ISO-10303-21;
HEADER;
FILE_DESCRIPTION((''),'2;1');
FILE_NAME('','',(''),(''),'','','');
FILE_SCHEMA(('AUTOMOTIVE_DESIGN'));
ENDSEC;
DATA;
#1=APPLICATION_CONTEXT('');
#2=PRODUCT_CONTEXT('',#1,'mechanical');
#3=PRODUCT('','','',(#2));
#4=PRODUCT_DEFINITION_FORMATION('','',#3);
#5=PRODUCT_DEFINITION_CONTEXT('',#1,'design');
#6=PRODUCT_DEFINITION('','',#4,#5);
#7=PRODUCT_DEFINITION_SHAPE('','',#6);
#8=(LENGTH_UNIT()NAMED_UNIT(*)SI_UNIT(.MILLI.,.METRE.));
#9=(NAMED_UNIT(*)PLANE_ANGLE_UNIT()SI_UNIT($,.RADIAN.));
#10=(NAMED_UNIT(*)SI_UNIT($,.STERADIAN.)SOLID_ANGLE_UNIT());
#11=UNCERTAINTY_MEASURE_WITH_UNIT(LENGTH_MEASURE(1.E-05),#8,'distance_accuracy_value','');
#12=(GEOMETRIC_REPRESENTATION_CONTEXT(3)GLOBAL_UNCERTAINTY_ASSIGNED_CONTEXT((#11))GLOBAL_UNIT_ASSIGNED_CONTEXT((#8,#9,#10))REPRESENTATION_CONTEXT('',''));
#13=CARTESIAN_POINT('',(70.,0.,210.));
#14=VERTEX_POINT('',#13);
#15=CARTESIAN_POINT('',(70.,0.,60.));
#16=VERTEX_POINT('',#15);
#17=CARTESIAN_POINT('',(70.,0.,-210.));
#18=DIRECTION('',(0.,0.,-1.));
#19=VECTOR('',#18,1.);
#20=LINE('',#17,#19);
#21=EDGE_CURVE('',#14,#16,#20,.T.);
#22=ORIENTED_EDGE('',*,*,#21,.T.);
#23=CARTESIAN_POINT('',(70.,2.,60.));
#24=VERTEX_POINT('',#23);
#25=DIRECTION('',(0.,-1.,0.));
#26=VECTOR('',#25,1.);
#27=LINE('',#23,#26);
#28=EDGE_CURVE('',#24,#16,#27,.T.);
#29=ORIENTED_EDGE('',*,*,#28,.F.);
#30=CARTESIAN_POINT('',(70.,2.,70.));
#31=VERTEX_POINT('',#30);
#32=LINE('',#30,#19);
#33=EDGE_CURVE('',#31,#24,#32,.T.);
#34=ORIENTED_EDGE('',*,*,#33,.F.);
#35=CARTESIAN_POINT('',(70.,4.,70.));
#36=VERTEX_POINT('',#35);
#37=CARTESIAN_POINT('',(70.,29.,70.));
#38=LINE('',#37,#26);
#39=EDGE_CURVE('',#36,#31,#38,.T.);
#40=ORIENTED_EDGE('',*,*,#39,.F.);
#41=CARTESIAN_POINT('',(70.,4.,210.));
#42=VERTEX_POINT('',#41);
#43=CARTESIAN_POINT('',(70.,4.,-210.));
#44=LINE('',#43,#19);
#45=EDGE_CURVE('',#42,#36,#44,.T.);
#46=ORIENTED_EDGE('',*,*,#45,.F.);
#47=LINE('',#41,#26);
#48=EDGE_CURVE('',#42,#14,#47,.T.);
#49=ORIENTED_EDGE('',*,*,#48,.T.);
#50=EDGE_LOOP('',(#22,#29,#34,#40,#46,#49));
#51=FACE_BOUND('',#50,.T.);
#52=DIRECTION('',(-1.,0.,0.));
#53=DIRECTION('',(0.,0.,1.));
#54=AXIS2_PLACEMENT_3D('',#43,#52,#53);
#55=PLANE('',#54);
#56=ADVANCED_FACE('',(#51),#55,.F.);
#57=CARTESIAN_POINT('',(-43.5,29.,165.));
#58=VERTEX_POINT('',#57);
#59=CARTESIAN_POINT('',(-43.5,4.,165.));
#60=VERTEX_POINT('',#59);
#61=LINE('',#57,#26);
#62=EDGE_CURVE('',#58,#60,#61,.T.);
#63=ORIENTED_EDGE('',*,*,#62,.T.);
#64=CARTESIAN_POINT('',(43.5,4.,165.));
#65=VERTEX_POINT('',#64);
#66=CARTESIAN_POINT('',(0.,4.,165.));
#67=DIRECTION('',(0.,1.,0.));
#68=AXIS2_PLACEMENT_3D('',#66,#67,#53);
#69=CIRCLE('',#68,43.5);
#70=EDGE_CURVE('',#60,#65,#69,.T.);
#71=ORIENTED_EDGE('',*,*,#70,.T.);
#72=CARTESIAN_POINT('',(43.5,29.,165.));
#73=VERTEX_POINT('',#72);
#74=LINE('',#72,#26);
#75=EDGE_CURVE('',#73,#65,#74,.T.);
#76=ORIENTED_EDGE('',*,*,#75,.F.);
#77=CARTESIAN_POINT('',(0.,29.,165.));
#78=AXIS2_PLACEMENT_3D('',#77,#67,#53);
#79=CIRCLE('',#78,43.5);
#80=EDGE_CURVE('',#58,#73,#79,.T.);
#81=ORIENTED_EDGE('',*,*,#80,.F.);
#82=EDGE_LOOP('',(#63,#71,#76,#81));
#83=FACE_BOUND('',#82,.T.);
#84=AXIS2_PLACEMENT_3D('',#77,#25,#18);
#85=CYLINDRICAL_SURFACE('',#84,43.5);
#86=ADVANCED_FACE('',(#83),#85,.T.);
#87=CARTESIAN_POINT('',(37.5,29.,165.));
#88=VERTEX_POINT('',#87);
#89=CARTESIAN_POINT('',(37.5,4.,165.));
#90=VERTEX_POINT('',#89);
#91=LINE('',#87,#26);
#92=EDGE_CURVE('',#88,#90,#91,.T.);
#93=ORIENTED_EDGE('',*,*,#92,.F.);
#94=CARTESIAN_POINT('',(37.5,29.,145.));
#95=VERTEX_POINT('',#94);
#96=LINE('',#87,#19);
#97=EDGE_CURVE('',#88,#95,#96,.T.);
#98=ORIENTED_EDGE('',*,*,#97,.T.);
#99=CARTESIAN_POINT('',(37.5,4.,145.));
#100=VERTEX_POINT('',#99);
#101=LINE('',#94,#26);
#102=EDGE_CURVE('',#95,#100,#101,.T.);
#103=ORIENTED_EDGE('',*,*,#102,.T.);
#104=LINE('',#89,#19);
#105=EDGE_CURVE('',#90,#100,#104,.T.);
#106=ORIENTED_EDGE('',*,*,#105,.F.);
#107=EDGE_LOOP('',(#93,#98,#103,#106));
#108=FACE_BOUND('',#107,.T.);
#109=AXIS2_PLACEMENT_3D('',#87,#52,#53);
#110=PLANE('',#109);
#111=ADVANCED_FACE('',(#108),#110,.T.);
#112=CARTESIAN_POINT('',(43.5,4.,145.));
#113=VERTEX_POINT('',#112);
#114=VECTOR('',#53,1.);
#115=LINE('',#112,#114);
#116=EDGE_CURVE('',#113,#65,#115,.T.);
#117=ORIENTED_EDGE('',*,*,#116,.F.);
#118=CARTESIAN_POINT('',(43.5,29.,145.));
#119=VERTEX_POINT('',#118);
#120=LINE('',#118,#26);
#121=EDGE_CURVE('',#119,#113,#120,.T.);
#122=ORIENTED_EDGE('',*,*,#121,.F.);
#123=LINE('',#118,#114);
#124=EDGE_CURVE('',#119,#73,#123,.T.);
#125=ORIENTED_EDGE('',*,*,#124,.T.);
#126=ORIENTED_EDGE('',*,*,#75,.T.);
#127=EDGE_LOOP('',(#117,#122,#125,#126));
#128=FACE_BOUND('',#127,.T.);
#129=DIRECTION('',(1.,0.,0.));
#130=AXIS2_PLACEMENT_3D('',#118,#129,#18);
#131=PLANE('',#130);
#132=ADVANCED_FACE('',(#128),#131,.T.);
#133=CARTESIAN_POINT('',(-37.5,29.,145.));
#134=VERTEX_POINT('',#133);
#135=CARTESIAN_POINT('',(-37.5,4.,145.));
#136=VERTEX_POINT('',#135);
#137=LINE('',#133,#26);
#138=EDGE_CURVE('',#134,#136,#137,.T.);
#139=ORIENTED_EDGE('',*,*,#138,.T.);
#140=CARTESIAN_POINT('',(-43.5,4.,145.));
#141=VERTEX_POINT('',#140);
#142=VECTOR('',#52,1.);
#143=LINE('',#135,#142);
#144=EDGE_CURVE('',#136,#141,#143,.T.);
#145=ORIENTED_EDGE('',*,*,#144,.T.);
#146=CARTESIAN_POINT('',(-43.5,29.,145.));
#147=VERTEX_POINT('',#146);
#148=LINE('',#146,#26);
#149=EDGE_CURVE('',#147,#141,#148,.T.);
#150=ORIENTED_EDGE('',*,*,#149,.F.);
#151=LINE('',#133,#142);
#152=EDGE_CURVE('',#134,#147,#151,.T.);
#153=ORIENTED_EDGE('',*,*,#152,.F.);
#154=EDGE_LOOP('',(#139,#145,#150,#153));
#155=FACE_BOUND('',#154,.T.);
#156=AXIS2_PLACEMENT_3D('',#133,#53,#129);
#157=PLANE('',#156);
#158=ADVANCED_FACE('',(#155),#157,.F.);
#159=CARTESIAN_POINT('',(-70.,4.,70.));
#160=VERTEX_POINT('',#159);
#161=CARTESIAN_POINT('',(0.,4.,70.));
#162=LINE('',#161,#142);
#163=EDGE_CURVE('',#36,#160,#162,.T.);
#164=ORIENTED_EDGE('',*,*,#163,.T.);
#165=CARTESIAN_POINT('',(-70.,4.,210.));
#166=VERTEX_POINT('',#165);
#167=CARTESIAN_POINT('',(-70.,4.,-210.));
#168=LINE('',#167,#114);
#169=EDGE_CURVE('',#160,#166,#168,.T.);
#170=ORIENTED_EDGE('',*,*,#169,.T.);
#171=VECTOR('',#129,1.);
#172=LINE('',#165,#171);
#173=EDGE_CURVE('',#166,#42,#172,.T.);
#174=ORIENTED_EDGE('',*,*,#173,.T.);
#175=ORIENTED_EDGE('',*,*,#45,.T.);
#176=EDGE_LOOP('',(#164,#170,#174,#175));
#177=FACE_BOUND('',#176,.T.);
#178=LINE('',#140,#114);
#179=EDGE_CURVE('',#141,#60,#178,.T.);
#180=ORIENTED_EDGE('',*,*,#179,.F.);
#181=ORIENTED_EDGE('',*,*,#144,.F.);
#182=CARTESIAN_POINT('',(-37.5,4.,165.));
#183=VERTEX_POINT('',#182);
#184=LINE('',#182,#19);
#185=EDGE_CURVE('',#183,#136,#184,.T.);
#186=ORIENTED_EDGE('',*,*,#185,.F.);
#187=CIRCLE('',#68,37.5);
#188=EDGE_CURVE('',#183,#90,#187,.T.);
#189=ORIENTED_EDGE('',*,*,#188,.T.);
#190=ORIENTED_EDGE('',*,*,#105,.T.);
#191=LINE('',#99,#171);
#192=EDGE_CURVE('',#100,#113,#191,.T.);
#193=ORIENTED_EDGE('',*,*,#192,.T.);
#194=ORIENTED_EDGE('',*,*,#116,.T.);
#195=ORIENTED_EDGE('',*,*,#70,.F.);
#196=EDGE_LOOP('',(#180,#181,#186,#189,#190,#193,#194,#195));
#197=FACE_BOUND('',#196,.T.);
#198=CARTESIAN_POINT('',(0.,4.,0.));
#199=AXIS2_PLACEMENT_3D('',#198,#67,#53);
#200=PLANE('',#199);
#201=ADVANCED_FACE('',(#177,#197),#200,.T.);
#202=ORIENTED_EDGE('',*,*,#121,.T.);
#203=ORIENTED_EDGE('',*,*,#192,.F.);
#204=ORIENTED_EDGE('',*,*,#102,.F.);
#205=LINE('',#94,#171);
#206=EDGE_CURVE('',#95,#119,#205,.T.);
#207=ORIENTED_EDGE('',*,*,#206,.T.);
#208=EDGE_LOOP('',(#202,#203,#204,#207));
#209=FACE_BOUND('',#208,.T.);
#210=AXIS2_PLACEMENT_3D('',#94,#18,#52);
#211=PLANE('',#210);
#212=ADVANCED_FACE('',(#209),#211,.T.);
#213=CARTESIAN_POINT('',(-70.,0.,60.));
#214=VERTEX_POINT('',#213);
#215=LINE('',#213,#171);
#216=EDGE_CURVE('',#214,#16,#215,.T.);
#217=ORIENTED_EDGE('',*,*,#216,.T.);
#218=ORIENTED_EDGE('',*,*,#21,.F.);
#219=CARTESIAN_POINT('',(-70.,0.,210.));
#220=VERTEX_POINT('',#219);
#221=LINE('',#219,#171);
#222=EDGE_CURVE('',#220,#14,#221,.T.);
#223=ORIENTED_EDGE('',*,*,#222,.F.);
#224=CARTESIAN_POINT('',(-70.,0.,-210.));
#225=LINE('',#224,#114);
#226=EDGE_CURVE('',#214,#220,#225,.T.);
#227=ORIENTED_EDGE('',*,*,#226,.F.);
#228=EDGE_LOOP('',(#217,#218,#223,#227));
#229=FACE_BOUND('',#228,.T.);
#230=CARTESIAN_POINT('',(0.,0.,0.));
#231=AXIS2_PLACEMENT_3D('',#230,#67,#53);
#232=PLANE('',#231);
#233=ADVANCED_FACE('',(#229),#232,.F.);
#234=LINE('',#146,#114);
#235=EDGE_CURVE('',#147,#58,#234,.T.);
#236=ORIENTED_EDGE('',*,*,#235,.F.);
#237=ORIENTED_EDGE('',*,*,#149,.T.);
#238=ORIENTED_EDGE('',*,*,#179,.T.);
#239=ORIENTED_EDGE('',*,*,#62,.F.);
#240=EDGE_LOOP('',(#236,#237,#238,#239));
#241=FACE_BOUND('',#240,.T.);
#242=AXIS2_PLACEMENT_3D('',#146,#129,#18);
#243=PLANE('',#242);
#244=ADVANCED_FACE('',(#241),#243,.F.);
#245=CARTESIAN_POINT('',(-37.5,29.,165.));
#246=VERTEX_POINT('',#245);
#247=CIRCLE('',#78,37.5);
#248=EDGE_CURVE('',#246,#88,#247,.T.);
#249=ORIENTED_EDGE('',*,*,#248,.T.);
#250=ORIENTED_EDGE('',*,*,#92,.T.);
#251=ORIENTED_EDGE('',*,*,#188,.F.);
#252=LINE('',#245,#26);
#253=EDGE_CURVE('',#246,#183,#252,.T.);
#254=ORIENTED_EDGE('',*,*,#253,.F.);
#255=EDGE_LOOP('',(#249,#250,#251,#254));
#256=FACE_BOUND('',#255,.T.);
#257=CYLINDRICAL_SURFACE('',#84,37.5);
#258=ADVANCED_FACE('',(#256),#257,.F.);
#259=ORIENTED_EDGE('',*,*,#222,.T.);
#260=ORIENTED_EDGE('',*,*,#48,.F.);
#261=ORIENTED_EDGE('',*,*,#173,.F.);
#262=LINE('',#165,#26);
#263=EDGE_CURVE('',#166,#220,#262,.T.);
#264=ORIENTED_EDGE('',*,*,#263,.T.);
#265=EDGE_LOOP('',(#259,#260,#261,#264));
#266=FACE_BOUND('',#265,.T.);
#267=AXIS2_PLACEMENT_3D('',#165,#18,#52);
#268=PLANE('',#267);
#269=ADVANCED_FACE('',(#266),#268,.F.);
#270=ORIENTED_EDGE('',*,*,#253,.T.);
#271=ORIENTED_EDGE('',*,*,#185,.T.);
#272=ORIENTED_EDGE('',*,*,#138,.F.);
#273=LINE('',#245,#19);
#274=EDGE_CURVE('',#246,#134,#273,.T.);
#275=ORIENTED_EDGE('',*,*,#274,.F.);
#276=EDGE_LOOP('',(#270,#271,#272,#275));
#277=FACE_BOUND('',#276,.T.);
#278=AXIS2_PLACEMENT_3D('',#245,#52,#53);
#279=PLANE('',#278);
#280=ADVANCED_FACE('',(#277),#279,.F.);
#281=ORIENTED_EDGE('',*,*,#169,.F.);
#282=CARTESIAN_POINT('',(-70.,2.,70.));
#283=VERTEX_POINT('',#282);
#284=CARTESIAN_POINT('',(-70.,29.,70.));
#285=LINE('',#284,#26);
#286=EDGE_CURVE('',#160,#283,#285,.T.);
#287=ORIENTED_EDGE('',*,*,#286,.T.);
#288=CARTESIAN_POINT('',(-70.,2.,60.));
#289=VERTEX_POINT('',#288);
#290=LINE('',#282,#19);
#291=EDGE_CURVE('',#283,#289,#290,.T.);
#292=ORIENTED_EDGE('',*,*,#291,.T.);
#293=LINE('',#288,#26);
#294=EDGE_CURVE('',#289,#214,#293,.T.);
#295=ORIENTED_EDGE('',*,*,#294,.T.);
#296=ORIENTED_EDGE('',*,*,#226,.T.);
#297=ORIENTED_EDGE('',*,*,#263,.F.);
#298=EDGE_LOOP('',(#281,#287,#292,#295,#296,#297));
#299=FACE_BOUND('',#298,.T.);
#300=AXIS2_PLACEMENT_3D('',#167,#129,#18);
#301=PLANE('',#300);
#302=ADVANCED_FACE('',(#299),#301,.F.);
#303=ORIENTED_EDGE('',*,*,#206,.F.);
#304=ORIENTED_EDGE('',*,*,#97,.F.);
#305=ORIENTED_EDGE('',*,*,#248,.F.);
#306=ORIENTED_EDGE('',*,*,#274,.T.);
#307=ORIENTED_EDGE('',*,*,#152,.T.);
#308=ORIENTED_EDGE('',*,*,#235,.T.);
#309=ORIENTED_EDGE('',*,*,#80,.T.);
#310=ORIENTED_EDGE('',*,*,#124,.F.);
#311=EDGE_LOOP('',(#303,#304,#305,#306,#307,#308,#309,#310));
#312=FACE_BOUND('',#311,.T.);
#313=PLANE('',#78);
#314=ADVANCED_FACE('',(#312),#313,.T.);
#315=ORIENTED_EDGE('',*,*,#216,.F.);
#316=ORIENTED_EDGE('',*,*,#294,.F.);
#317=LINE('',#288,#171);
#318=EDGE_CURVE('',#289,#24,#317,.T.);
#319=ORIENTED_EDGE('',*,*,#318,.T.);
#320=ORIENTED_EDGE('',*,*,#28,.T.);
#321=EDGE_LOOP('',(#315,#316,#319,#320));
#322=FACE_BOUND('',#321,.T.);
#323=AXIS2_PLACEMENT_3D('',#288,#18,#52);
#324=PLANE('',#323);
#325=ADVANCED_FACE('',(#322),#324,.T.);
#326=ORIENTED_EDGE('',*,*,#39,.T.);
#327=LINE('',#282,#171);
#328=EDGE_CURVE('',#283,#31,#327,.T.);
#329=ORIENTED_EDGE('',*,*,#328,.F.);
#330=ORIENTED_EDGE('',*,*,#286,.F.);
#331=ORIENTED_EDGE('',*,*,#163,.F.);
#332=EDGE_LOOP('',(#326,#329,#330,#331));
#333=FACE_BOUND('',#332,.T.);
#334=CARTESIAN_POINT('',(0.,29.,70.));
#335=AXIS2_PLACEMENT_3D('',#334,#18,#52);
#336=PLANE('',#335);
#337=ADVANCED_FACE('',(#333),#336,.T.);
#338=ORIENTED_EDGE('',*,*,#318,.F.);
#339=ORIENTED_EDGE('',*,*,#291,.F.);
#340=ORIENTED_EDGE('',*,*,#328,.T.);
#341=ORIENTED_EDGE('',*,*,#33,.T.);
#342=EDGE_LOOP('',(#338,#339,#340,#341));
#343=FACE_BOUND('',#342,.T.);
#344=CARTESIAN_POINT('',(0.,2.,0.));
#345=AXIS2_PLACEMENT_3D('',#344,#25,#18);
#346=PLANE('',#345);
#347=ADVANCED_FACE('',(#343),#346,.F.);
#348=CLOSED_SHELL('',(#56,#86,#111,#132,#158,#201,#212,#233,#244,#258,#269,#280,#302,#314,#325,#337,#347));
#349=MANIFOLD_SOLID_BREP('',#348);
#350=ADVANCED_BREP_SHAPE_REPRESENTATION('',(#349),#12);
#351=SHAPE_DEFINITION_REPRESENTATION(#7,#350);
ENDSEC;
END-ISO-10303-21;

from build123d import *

# Parameters (mm, degrees)
SKETCH2_W               = 140
SKETCH2_H               = 420
BOSS_EXTRUDE1_DEPTH     = 4
BOSS_EXTRUDE2_DEPTH     = 25
SKETCH4_W               = 10.25
SKETCH4_H               = 80.25
CUT_EXTRUDE1_DEPTH      = 25.4
SKETCH7_W               = 130
SKETCH7_H               = 10
CUT_EXTRUDE2_DEPTH      = 2.45
SKETCH8_W               = 140
SKETCH8_H               = 140
SKETCH8_W_2             = 10.25
SKETCH8_H_2             = 80.25
CUT_EXTRUDE3_DEPTH      = 1
CUT_EXTRUDE3_DEPTH_BACK = 30
SKETCH9_W               = 140
SKETCH9_H               = 10
BOSS_EXTRUDE3_DEPTH     = 2


with BuildPart() as part:
    # Sketch2 → Boss-Extrude1 (new body)
    with BuildSketch(Plane(origin=(0, 0, 0), x_dir=(1, 0, 0), z_dir=(0, 1, 0))):
        Rectangle(SKETCH2_W, SKETCH2_H)
    extrude(amount=BOSS_EXTRUDE1_DEPTH)

    # Sketch3 → Boss-Extrude2 (add)
    with BuildSketch(Plane(origin=(0, 4, 0), x_dir=(1, 0, 0), z_dir=(0, 1, 0))):
        with BuildLine():
            Line((-37.5, -165), (-37.5, -145))
            Line((-37.5, -145), (-43.5, -145))
            Line((-43.5, -145), (-43.5, -165))
            ThreePointArc((-43.5, -165), (0, -208.5), (43.5, -165))
            Line((43.5, -165), (43.5, -145))
            Line((43.5, -145), (37.5, -145))
            Line((37.5, -145), (37.5, -165))
            ThreePointArc((37.5, -165), (0, -202.5), (-37.5, -165))
        make_face()
    extrude(amount=BOSS_EXTRUDE2_DEPTH)

    # Sketch4 → Cut-Extrude1 (cut)
    with BuildSketch(Plane(origin=(0, 4, 0), x_dir=(1, 0, 0), z_dir=(0, 1, 0))):
        with Locations((-59.875, 139.875)):
            Rectangle(SKETCH4_W, SKETCH4_H)
        with Locations((59.875, 139.875)):
            Rectangle(SKETCH4_W, SKETCH4_H)
    extrude(amount=-CUT_EXTRUDE1_DEPTH, mode=Mode.SUBTRACT)

    # Sketch7 → Cut-Extrude2 (cut)
    with BuildSketch(Plane(origin=(0, 4, 0), x_dir=(1, 0, 0), z_dir=(0, 1, 0))):
        with Locations((0, 200)):
            Rectangle(SKETCH7_W, SKETCH7_H)
    extrude(amount=-CUT_EXTRUDE2_DEPTH, mode=Mode.SUBTRACT)

    # Sketch8 → Cut-Extrude3 (cut, two sides)
    with BuildSketch(Plane.XZ) as cut_extrude3_sk:
        with Locations((0, -140)):
            Rectangle(SKETCH8_W, SKETCH8_H)
        with Locations((-59.875, -139.875)):
            Rectangle(SKETCH8_W_2, SKETCH8_H_2, mode=Mode.SUBTRACT)
        with Locations((59.875, -139.875)):
            Rectangle(SKETCH8_W_2, SKETCH8_H_2, mode=Mode.SUBTRACT)
        Rectangle(SKETCH8_W, SKETCH8_H)
    extrude(amount=CUT_EXTRUDE3_DEPTH, mode=Mode.SUBTRACT)
    extrude(cut_extrude3_sk.sketch, amount=-CUT_EXTRUDE3_DEPTH_BACK, mode=Mode.SUBTRACT)

    # Sketch9 → Boss-Extrude3 (add)
    with BuildSketch(Plane.XZ):
        with Locations((0, 65)):
            Rectangle(SKETCH9_W, SKETCH9_H)
    extrude(amount=-BOSS_EXTRUDE3_DEPTH)


solid = part.part
